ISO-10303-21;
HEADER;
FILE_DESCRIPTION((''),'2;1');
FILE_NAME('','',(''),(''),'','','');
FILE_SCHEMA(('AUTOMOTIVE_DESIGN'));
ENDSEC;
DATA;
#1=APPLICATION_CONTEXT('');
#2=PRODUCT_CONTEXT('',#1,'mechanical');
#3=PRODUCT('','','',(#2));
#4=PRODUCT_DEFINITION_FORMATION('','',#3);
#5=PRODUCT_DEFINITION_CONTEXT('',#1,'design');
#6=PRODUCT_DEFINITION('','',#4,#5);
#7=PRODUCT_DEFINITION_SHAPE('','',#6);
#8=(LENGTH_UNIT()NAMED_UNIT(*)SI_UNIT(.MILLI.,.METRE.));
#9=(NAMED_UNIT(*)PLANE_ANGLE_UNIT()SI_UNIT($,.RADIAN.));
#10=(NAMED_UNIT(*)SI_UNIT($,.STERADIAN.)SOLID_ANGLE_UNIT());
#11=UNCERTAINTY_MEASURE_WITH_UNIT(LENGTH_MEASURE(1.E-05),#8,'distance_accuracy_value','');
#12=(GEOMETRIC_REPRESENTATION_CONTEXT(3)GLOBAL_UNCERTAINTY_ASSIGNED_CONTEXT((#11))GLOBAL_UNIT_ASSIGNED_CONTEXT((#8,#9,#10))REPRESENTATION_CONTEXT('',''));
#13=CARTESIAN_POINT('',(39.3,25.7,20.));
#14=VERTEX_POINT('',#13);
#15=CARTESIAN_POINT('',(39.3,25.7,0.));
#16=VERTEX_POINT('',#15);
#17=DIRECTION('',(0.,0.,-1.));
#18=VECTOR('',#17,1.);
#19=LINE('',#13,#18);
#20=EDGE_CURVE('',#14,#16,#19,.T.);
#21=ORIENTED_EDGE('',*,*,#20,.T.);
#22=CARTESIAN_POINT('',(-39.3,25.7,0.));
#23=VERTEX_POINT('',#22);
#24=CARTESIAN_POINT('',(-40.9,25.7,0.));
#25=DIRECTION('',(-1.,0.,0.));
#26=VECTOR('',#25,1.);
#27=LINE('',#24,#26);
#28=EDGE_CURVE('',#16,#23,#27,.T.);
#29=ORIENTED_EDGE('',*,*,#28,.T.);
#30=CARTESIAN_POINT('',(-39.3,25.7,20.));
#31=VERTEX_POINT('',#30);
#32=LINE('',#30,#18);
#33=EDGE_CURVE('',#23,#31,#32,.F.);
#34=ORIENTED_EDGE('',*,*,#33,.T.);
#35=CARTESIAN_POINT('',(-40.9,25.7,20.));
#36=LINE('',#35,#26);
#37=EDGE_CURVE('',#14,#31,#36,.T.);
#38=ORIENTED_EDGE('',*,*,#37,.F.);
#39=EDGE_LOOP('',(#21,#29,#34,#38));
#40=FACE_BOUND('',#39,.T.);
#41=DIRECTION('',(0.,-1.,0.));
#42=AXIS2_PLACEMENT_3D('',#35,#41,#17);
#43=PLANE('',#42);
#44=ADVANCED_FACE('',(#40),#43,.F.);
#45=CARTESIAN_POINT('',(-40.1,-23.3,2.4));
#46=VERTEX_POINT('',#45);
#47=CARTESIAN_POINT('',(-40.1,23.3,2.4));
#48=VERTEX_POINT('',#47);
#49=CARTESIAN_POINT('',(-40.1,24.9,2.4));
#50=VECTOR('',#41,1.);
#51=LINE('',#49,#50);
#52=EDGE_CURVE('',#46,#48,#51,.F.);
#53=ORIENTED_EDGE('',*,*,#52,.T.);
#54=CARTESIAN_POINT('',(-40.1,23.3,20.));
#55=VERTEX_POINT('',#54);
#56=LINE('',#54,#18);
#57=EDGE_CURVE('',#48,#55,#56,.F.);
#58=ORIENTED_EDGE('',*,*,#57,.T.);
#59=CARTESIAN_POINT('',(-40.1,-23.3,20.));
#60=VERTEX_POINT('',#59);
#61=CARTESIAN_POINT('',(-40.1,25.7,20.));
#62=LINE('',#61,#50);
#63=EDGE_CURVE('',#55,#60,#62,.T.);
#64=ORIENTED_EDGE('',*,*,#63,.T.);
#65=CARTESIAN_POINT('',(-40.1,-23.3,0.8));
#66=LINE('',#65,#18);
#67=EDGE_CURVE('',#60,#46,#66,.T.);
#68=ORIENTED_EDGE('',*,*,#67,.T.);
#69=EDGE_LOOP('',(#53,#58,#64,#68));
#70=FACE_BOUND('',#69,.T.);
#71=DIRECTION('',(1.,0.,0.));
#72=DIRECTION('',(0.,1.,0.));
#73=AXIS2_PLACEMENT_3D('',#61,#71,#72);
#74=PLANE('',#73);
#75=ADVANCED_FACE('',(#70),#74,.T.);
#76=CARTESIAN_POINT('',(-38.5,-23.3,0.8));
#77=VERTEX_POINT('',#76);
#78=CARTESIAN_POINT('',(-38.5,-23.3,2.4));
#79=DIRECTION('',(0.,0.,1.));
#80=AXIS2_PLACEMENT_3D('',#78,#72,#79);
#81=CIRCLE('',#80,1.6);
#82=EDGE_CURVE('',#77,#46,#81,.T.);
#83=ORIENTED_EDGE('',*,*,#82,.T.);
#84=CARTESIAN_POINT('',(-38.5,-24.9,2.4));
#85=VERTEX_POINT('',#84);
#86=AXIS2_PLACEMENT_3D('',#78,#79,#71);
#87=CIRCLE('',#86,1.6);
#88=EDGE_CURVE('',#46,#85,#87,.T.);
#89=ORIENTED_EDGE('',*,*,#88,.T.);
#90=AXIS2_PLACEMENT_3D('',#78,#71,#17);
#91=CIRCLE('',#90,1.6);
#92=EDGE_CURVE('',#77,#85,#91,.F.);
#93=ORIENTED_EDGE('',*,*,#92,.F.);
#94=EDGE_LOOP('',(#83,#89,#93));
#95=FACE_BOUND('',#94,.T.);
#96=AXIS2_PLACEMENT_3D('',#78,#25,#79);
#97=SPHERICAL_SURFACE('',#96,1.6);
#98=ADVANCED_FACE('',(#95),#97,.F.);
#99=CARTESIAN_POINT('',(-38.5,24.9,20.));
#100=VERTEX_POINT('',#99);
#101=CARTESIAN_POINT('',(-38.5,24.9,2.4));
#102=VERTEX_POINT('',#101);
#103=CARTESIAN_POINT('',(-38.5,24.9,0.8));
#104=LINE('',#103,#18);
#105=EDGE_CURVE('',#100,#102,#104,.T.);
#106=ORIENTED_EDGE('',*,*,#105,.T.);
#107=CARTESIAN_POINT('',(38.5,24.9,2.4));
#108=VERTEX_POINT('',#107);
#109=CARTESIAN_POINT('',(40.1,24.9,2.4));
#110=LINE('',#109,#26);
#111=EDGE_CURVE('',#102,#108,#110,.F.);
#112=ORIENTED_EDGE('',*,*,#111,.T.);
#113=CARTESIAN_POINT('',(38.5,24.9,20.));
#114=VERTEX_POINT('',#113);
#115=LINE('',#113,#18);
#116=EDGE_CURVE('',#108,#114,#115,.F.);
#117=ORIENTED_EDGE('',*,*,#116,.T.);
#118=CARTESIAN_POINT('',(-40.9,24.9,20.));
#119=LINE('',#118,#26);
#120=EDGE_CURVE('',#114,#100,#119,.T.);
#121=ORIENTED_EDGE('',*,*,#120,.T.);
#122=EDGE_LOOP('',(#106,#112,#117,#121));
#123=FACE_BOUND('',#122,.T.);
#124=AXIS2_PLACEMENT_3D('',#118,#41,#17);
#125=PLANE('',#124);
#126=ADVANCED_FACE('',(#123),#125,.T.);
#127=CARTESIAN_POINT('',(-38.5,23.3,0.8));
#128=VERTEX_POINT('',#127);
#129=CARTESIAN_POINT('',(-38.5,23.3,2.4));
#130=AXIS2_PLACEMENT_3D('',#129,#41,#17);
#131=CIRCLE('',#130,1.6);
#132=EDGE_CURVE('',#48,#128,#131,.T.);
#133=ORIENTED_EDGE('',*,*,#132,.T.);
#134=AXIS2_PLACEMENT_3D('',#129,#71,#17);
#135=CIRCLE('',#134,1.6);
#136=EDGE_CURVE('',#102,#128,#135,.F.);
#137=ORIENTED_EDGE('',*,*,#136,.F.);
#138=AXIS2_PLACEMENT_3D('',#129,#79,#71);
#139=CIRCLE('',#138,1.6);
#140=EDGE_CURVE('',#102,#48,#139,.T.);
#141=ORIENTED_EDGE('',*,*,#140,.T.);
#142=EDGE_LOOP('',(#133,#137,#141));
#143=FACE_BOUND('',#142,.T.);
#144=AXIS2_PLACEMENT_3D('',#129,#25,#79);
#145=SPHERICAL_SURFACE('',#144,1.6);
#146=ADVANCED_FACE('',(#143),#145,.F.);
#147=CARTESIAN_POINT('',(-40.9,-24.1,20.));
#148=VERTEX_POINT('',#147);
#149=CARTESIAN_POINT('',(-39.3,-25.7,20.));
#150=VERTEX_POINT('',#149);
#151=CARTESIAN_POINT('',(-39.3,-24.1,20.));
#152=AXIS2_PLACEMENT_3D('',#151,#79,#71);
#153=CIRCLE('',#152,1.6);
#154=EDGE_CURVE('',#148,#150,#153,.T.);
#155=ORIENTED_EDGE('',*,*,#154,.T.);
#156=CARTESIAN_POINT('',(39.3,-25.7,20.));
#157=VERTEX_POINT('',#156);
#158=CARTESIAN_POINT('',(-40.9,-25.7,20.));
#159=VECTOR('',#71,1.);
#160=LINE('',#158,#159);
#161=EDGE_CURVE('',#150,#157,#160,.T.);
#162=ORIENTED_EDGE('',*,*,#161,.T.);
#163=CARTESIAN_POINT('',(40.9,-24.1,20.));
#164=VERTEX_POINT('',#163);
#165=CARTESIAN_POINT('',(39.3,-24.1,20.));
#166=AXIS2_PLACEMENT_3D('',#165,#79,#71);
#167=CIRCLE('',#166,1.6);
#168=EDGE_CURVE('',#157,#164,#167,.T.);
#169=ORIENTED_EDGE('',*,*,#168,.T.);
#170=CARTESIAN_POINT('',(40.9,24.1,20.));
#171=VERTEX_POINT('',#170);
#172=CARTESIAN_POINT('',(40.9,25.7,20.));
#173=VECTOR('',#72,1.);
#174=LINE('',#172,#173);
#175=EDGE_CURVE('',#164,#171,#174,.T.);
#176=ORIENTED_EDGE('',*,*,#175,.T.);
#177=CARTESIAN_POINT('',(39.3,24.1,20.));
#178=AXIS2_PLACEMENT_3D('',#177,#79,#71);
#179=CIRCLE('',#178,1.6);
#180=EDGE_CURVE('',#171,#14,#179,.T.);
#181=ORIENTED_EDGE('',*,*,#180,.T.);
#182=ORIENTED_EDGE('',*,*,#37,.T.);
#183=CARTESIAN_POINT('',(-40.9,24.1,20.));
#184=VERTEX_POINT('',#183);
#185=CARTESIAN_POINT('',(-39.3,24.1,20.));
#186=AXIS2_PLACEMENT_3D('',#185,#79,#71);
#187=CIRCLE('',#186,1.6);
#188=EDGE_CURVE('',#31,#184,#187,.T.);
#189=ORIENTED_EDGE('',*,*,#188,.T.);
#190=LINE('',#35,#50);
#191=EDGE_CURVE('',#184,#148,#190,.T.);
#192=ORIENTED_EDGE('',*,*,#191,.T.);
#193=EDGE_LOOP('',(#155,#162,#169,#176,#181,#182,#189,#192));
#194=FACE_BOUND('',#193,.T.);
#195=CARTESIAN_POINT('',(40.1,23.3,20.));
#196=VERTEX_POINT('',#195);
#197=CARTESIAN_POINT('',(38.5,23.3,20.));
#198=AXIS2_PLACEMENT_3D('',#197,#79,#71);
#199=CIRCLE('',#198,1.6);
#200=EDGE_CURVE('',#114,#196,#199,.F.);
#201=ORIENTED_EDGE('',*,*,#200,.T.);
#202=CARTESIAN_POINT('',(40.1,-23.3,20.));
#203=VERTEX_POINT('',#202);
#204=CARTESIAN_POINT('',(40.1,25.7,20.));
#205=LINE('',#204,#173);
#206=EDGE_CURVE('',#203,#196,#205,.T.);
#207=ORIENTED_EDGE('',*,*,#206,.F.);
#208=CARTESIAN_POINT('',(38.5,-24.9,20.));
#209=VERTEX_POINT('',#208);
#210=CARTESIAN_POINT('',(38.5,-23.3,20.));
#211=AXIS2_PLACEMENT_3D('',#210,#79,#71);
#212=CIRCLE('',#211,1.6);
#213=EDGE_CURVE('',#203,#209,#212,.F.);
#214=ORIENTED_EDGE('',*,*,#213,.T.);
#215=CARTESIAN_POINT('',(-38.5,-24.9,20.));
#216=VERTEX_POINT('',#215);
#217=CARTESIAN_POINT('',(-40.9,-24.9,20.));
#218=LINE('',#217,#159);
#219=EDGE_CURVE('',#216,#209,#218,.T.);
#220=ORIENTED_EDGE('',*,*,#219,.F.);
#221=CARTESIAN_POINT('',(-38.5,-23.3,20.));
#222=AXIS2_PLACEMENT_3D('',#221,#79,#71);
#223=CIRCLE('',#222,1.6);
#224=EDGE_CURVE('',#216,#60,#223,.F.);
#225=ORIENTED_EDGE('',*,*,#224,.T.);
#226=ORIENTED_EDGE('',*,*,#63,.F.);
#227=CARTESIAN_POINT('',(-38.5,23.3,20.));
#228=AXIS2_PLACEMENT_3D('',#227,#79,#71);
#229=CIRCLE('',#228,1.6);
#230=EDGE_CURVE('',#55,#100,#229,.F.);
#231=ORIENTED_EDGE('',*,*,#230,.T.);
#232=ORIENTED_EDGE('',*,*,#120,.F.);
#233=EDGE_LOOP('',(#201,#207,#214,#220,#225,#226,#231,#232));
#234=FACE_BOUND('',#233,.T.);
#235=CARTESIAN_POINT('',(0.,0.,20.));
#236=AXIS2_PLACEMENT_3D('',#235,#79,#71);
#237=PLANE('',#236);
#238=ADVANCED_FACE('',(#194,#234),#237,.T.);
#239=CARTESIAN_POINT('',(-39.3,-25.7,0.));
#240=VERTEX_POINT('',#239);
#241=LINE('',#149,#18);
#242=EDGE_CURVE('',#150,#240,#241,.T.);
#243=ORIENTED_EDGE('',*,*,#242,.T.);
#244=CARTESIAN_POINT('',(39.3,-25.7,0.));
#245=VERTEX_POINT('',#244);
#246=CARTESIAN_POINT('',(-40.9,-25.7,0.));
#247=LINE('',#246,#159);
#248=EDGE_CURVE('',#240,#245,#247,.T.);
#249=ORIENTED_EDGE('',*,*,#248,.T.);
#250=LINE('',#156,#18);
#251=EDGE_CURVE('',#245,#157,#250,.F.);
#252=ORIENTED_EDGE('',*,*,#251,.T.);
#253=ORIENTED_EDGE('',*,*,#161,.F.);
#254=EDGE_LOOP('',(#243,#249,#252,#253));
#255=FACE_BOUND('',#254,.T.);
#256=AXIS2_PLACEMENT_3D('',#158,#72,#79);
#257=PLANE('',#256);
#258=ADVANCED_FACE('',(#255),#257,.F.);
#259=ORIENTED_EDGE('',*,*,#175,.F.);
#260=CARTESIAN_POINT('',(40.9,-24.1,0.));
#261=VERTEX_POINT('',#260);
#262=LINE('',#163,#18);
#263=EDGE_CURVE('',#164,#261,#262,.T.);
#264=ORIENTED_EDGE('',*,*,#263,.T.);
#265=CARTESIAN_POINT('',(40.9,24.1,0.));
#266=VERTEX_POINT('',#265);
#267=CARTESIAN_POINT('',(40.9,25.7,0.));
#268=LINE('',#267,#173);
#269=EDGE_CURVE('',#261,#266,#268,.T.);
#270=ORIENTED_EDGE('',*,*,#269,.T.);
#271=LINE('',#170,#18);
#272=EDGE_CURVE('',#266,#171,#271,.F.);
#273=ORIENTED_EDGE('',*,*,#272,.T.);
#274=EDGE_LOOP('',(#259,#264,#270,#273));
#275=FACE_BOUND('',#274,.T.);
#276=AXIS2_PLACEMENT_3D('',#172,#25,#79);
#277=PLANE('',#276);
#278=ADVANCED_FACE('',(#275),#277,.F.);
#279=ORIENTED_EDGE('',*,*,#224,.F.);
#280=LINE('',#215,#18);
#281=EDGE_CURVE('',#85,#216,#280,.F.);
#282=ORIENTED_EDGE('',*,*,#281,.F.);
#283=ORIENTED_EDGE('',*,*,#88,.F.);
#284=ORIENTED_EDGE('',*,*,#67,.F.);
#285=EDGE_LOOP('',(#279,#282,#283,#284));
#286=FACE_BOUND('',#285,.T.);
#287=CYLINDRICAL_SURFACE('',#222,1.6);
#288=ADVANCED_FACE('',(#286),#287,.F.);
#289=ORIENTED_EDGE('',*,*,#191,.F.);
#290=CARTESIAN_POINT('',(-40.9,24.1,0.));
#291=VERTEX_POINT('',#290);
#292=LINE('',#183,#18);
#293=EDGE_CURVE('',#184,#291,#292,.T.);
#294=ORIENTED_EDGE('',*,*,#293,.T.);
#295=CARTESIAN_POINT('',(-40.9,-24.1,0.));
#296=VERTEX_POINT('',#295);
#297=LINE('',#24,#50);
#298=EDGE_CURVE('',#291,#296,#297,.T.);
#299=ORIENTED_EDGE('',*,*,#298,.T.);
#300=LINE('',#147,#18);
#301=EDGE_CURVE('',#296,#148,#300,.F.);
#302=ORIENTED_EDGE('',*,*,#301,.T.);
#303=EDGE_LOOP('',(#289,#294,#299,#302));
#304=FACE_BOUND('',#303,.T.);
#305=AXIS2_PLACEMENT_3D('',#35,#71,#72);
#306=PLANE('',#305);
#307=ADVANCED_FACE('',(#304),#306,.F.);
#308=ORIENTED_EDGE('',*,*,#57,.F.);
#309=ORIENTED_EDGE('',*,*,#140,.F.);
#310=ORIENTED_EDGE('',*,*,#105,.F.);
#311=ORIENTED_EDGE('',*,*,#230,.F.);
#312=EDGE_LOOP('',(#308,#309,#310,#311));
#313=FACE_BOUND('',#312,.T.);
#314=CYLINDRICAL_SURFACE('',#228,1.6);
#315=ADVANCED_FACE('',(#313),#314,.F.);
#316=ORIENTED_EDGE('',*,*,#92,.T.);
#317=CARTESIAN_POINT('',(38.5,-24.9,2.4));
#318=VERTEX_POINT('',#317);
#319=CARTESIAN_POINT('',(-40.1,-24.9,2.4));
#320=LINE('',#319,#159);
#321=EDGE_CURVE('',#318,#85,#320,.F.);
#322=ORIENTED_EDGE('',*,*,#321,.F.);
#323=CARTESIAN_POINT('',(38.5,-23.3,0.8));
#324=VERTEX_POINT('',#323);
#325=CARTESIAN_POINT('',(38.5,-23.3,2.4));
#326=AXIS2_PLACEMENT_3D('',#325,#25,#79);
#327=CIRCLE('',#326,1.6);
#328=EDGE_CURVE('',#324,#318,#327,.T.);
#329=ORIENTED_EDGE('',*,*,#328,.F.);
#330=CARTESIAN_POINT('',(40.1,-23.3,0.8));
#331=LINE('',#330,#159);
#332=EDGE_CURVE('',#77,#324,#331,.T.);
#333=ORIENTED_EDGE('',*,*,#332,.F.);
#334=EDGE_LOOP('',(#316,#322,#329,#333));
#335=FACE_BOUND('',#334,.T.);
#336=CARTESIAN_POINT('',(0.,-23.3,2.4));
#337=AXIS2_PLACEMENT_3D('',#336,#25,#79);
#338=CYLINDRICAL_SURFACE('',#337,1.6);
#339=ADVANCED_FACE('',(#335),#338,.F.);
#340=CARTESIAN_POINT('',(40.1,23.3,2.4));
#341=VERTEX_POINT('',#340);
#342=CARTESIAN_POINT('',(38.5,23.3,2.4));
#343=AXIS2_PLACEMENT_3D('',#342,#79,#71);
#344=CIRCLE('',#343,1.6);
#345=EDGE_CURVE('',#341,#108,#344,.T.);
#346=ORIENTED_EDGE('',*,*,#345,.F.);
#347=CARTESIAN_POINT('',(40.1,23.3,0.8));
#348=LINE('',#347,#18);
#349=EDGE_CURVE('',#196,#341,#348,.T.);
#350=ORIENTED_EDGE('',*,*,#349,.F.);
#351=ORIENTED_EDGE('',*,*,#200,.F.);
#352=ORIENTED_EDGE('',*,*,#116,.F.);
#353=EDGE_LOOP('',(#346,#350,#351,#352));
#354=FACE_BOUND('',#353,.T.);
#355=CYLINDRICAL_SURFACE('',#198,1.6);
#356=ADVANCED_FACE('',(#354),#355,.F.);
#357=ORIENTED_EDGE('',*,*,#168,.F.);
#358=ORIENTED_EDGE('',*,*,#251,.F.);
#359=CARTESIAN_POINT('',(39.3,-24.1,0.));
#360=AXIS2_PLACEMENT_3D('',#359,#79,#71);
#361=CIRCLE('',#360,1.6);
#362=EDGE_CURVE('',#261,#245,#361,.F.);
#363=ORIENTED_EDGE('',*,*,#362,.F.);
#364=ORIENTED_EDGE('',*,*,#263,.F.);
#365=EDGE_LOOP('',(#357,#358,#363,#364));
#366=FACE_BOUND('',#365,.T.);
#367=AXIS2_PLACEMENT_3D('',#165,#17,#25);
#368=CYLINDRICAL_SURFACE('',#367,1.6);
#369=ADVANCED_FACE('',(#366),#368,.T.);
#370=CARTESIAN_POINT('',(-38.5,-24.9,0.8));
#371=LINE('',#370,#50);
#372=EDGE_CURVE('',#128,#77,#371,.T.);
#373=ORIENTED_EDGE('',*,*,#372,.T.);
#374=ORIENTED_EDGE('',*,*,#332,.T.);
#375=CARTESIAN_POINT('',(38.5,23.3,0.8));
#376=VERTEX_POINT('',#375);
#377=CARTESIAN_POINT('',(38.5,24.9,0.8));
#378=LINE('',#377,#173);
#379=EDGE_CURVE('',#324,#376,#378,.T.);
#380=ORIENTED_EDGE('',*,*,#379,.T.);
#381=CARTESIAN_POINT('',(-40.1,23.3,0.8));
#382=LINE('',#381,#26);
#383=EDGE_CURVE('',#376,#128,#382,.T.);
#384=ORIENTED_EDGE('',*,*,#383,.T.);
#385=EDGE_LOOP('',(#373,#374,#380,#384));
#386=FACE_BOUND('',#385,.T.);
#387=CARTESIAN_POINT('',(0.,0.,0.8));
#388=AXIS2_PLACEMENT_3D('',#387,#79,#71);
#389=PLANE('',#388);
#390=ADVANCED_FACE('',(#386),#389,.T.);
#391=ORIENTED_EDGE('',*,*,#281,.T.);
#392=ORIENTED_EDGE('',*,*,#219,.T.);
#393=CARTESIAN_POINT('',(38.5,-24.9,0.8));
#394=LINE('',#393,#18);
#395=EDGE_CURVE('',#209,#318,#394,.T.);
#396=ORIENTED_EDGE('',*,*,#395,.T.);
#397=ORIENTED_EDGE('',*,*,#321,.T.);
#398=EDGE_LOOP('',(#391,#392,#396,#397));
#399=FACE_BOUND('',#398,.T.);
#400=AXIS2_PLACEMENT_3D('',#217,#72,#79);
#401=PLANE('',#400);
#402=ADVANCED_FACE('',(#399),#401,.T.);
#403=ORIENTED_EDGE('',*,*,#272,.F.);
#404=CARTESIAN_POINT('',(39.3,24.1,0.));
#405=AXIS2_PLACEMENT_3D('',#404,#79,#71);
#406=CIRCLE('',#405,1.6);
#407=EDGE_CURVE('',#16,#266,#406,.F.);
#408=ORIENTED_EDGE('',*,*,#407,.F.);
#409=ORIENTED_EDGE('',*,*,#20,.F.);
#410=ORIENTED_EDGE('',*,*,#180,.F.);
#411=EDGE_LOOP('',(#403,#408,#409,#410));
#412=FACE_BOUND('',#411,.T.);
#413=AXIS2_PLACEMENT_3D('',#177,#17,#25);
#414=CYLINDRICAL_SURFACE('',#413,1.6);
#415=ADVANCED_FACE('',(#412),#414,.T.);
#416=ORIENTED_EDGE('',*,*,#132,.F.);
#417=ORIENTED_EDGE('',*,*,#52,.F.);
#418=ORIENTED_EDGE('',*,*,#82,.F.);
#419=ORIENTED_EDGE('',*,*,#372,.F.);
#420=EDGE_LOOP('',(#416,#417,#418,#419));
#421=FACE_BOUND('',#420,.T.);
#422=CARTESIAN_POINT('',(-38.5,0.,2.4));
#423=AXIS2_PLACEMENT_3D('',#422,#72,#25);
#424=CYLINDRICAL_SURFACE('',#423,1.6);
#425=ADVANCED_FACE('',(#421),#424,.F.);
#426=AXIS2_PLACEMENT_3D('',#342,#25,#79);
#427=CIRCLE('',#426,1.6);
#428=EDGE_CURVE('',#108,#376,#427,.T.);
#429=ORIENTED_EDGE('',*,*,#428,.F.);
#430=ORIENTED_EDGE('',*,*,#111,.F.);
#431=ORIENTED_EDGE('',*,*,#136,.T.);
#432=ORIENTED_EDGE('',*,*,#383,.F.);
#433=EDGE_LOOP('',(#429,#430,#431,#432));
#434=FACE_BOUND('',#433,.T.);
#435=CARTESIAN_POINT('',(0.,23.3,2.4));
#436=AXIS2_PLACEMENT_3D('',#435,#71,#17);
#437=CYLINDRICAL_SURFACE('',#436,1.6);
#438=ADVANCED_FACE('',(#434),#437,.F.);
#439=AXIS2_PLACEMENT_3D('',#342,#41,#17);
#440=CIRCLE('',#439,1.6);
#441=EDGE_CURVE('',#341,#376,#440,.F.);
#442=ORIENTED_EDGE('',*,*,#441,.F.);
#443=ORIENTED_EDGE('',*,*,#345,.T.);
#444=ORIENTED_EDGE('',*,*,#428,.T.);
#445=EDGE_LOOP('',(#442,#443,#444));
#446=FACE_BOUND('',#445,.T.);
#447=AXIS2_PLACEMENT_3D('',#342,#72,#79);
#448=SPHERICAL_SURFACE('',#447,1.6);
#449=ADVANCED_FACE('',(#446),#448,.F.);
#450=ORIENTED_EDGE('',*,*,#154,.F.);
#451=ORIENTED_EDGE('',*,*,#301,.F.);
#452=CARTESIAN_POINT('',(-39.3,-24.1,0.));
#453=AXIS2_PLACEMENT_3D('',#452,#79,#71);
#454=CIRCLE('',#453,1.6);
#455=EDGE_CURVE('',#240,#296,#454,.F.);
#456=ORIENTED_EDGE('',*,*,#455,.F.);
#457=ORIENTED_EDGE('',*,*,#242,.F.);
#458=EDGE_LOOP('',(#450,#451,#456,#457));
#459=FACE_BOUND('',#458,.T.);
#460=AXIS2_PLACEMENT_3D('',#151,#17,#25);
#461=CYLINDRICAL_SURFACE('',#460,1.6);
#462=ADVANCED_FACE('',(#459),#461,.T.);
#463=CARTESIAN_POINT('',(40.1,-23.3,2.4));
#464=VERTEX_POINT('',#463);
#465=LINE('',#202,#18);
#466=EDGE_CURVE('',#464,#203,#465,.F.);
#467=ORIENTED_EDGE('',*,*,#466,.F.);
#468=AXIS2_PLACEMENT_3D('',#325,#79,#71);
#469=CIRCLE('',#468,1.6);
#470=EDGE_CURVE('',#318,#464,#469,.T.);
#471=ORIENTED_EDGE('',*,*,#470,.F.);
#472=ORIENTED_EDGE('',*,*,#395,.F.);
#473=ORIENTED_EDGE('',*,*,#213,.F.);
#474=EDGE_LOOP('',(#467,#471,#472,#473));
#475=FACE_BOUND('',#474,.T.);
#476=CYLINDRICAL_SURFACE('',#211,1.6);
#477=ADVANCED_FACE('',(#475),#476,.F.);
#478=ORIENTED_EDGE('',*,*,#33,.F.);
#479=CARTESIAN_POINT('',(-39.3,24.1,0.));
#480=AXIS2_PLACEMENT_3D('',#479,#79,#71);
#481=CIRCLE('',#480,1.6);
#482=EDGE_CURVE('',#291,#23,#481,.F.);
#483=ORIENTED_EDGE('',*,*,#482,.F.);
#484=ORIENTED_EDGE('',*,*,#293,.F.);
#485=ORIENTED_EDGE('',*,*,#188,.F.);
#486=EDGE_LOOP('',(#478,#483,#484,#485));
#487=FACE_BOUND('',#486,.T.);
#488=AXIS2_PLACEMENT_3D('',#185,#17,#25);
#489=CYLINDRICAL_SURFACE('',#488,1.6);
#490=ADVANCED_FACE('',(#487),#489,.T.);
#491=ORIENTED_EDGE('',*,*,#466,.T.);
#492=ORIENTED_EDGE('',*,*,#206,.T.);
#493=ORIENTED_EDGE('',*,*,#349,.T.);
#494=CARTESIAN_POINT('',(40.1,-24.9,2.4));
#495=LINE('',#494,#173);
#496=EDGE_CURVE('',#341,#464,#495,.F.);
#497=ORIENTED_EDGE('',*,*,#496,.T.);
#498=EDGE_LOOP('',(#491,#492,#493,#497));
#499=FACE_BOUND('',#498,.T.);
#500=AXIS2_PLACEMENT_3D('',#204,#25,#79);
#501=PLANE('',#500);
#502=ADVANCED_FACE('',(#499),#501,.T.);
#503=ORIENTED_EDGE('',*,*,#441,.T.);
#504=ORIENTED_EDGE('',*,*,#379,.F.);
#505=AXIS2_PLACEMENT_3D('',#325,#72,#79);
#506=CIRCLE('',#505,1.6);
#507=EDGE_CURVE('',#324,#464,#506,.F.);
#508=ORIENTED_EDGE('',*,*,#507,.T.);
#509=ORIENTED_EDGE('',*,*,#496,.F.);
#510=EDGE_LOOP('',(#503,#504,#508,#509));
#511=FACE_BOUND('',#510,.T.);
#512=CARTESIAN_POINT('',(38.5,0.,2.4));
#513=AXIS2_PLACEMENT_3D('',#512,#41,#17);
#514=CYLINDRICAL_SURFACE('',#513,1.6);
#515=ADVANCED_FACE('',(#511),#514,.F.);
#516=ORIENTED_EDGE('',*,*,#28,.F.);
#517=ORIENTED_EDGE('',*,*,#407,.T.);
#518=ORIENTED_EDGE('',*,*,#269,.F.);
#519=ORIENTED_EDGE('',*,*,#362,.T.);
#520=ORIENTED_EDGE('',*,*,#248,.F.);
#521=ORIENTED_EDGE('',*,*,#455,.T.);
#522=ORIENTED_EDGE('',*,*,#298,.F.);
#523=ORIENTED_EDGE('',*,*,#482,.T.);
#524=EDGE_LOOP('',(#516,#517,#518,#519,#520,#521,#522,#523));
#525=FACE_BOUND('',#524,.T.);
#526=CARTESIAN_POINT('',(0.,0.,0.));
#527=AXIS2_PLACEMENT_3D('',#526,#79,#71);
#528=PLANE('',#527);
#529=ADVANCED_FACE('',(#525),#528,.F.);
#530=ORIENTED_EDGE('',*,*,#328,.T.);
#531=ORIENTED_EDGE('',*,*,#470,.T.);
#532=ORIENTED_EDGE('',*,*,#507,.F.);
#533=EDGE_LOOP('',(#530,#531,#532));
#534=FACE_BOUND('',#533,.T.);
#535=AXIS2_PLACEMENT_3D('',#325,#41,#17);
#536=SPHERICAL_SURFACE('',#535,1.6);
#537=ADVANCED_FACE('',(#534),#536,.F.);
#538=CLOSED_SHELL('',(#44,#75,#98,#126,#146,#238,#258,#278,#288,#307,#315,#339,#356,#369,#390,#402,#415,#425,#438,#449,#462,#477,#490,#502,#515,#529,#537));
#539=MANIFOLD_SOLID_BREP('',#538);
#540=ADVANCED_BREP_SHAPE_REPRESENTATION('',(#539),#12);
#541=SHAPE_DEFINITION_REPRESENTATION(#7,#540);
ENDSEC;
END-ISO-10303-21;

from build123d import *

# Parameters (mm, degrees)
ESQUISSE1_W        = 81.8
ESQUISSE1_H        = 51.4
BOSS_EXTRU_1_DEPTH = 20
COQUE1_T           = -0.8
CONG_1_R           = 1.6


with BuildPart() as part:
    # Esquisse1 → Boss.-Extru.1 (new body)
    with BuildSketch(Plane.XY):
        Rectangle(ESQUISSE1_W, ESQUISSE1_H)
    extrude(amount=BOSS_EXTRU_1_DEPTH)

    # Coque1
    coque1_openings = [part.faces().sort_by_distance(p)[0] for p in [
        (0, 0, 20),
    ]]
    offset(amount=COQUE1_T, openings=coque1_openings, kind=Kind.INTERSECTION)

    # Congé1
    cong_1_edges = [part.edges().sort_by_distance(p)[0] for p in [
        (40.1, 0, 0.8),
        (40.1, -24.9, 10.4),
        (0, 24.9, 0.8),
        (40.1, 24.9, 10.4),
        (-40.1, 0, 0.8),
        (-40.1, 24.9, 10.4),
        (0, -24.9, 0.8),
        (-40.1, -24.9, 10.4),
        (40.9, -25.7, 10),
        (-40.9, -25.7, 10),
        (-40.9, 25.7, 10),
        (40.9, 25.7, 10),
    ]]
    fillet(cong_1_edges, radius=CONG_1_R)


solid = part.part
